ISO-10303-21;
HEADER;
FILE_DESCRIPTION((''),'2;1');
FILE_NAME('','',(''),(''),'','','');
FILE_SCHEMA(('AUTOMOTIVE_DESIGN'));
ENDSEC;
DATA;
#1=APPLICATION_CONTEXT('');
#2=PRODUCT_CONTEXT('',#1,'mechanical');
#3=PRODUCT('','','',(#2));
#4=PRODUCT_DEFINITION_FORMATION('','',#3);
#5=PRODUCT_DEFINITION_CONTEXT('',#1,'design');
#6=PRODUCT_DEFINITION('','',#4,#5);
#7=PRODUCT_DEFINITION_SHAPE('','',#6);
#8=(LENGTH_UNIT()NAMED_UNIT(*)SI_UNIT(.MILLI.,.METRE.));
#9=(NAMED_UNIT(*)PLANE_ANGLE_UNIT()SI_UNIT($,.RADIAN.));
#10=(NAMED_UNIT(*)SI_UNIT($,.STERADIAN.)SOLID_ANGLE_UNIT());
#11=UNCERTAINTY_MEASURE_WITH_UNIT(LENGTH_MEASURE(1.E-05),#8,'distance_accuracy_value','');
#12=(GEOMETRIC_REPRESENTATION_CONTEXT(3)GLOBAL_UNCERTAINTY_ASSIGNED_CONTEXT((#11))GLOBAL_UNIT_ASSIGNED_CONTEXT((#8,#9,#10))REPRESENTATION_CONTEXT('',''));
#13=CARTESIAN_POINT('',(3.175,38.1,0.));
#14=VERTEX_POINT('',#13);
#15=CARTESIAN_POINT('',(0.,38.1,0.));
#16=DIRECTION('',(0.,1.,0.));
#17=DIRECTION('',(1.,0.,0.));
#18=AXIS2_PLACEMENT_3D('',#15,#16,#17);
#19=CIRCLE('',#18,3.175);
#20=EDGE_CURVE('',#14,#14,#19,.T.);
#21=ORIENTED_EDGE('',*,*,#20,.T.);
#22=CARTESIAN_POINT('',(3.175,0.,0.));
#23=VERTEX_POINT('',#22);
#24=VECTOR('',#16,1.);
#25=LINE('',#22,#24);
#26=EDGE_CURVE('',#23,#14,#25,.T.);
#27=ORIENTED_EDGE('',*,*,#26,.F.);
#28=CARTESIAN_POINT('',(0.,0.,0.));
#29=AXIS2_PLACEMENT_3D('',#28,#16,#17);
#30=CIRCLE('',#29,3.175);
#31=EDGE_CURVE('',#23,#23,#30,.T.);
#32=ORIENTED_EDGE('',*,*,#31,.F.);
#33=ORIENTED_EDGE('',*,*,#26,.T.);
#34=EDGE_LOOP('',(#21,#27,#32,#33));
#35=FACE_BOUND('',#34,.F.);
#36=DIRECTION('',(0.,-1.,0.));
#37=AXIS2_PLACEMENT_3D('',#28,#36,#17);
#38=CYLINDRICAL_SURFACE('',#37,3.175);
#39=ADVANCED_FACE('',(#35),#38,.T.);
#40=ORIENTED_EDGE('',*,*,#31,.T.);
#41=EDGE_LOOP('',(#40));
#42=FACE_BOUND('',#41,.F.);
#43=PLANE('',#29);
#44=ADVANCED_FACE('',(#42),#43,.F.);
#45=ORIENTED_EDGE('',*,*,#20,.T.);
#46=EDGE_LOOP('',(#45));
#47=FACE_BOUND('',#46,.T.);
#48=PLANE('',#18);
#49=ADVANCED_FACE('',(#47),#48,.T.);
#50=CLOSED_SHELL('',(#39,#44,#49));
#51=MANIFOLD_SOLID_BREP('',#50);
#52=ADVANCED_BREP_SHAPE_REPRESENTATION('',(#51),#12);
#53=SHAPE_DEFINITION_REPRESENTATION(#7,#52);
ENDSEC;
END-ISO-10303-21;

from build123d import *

# Parameters (mm, degrees)
SKETCH1_R           = 3.175
BOSS_EXTRUDE1_DEPTH = 38.1


with BuildPart() as part:
    # Sketch1 → Boss-Extrude1 (new body)
    with BuildSketch(Plane(origin=(0, 0, 0), x_dir=(1, 0, 0), z_dir=(0, 1, 0))):
        Circle(SKETCH1_R)
    extrude(amount=BOSS_EXTRUDE1_DEPTH)


solid = part.part
